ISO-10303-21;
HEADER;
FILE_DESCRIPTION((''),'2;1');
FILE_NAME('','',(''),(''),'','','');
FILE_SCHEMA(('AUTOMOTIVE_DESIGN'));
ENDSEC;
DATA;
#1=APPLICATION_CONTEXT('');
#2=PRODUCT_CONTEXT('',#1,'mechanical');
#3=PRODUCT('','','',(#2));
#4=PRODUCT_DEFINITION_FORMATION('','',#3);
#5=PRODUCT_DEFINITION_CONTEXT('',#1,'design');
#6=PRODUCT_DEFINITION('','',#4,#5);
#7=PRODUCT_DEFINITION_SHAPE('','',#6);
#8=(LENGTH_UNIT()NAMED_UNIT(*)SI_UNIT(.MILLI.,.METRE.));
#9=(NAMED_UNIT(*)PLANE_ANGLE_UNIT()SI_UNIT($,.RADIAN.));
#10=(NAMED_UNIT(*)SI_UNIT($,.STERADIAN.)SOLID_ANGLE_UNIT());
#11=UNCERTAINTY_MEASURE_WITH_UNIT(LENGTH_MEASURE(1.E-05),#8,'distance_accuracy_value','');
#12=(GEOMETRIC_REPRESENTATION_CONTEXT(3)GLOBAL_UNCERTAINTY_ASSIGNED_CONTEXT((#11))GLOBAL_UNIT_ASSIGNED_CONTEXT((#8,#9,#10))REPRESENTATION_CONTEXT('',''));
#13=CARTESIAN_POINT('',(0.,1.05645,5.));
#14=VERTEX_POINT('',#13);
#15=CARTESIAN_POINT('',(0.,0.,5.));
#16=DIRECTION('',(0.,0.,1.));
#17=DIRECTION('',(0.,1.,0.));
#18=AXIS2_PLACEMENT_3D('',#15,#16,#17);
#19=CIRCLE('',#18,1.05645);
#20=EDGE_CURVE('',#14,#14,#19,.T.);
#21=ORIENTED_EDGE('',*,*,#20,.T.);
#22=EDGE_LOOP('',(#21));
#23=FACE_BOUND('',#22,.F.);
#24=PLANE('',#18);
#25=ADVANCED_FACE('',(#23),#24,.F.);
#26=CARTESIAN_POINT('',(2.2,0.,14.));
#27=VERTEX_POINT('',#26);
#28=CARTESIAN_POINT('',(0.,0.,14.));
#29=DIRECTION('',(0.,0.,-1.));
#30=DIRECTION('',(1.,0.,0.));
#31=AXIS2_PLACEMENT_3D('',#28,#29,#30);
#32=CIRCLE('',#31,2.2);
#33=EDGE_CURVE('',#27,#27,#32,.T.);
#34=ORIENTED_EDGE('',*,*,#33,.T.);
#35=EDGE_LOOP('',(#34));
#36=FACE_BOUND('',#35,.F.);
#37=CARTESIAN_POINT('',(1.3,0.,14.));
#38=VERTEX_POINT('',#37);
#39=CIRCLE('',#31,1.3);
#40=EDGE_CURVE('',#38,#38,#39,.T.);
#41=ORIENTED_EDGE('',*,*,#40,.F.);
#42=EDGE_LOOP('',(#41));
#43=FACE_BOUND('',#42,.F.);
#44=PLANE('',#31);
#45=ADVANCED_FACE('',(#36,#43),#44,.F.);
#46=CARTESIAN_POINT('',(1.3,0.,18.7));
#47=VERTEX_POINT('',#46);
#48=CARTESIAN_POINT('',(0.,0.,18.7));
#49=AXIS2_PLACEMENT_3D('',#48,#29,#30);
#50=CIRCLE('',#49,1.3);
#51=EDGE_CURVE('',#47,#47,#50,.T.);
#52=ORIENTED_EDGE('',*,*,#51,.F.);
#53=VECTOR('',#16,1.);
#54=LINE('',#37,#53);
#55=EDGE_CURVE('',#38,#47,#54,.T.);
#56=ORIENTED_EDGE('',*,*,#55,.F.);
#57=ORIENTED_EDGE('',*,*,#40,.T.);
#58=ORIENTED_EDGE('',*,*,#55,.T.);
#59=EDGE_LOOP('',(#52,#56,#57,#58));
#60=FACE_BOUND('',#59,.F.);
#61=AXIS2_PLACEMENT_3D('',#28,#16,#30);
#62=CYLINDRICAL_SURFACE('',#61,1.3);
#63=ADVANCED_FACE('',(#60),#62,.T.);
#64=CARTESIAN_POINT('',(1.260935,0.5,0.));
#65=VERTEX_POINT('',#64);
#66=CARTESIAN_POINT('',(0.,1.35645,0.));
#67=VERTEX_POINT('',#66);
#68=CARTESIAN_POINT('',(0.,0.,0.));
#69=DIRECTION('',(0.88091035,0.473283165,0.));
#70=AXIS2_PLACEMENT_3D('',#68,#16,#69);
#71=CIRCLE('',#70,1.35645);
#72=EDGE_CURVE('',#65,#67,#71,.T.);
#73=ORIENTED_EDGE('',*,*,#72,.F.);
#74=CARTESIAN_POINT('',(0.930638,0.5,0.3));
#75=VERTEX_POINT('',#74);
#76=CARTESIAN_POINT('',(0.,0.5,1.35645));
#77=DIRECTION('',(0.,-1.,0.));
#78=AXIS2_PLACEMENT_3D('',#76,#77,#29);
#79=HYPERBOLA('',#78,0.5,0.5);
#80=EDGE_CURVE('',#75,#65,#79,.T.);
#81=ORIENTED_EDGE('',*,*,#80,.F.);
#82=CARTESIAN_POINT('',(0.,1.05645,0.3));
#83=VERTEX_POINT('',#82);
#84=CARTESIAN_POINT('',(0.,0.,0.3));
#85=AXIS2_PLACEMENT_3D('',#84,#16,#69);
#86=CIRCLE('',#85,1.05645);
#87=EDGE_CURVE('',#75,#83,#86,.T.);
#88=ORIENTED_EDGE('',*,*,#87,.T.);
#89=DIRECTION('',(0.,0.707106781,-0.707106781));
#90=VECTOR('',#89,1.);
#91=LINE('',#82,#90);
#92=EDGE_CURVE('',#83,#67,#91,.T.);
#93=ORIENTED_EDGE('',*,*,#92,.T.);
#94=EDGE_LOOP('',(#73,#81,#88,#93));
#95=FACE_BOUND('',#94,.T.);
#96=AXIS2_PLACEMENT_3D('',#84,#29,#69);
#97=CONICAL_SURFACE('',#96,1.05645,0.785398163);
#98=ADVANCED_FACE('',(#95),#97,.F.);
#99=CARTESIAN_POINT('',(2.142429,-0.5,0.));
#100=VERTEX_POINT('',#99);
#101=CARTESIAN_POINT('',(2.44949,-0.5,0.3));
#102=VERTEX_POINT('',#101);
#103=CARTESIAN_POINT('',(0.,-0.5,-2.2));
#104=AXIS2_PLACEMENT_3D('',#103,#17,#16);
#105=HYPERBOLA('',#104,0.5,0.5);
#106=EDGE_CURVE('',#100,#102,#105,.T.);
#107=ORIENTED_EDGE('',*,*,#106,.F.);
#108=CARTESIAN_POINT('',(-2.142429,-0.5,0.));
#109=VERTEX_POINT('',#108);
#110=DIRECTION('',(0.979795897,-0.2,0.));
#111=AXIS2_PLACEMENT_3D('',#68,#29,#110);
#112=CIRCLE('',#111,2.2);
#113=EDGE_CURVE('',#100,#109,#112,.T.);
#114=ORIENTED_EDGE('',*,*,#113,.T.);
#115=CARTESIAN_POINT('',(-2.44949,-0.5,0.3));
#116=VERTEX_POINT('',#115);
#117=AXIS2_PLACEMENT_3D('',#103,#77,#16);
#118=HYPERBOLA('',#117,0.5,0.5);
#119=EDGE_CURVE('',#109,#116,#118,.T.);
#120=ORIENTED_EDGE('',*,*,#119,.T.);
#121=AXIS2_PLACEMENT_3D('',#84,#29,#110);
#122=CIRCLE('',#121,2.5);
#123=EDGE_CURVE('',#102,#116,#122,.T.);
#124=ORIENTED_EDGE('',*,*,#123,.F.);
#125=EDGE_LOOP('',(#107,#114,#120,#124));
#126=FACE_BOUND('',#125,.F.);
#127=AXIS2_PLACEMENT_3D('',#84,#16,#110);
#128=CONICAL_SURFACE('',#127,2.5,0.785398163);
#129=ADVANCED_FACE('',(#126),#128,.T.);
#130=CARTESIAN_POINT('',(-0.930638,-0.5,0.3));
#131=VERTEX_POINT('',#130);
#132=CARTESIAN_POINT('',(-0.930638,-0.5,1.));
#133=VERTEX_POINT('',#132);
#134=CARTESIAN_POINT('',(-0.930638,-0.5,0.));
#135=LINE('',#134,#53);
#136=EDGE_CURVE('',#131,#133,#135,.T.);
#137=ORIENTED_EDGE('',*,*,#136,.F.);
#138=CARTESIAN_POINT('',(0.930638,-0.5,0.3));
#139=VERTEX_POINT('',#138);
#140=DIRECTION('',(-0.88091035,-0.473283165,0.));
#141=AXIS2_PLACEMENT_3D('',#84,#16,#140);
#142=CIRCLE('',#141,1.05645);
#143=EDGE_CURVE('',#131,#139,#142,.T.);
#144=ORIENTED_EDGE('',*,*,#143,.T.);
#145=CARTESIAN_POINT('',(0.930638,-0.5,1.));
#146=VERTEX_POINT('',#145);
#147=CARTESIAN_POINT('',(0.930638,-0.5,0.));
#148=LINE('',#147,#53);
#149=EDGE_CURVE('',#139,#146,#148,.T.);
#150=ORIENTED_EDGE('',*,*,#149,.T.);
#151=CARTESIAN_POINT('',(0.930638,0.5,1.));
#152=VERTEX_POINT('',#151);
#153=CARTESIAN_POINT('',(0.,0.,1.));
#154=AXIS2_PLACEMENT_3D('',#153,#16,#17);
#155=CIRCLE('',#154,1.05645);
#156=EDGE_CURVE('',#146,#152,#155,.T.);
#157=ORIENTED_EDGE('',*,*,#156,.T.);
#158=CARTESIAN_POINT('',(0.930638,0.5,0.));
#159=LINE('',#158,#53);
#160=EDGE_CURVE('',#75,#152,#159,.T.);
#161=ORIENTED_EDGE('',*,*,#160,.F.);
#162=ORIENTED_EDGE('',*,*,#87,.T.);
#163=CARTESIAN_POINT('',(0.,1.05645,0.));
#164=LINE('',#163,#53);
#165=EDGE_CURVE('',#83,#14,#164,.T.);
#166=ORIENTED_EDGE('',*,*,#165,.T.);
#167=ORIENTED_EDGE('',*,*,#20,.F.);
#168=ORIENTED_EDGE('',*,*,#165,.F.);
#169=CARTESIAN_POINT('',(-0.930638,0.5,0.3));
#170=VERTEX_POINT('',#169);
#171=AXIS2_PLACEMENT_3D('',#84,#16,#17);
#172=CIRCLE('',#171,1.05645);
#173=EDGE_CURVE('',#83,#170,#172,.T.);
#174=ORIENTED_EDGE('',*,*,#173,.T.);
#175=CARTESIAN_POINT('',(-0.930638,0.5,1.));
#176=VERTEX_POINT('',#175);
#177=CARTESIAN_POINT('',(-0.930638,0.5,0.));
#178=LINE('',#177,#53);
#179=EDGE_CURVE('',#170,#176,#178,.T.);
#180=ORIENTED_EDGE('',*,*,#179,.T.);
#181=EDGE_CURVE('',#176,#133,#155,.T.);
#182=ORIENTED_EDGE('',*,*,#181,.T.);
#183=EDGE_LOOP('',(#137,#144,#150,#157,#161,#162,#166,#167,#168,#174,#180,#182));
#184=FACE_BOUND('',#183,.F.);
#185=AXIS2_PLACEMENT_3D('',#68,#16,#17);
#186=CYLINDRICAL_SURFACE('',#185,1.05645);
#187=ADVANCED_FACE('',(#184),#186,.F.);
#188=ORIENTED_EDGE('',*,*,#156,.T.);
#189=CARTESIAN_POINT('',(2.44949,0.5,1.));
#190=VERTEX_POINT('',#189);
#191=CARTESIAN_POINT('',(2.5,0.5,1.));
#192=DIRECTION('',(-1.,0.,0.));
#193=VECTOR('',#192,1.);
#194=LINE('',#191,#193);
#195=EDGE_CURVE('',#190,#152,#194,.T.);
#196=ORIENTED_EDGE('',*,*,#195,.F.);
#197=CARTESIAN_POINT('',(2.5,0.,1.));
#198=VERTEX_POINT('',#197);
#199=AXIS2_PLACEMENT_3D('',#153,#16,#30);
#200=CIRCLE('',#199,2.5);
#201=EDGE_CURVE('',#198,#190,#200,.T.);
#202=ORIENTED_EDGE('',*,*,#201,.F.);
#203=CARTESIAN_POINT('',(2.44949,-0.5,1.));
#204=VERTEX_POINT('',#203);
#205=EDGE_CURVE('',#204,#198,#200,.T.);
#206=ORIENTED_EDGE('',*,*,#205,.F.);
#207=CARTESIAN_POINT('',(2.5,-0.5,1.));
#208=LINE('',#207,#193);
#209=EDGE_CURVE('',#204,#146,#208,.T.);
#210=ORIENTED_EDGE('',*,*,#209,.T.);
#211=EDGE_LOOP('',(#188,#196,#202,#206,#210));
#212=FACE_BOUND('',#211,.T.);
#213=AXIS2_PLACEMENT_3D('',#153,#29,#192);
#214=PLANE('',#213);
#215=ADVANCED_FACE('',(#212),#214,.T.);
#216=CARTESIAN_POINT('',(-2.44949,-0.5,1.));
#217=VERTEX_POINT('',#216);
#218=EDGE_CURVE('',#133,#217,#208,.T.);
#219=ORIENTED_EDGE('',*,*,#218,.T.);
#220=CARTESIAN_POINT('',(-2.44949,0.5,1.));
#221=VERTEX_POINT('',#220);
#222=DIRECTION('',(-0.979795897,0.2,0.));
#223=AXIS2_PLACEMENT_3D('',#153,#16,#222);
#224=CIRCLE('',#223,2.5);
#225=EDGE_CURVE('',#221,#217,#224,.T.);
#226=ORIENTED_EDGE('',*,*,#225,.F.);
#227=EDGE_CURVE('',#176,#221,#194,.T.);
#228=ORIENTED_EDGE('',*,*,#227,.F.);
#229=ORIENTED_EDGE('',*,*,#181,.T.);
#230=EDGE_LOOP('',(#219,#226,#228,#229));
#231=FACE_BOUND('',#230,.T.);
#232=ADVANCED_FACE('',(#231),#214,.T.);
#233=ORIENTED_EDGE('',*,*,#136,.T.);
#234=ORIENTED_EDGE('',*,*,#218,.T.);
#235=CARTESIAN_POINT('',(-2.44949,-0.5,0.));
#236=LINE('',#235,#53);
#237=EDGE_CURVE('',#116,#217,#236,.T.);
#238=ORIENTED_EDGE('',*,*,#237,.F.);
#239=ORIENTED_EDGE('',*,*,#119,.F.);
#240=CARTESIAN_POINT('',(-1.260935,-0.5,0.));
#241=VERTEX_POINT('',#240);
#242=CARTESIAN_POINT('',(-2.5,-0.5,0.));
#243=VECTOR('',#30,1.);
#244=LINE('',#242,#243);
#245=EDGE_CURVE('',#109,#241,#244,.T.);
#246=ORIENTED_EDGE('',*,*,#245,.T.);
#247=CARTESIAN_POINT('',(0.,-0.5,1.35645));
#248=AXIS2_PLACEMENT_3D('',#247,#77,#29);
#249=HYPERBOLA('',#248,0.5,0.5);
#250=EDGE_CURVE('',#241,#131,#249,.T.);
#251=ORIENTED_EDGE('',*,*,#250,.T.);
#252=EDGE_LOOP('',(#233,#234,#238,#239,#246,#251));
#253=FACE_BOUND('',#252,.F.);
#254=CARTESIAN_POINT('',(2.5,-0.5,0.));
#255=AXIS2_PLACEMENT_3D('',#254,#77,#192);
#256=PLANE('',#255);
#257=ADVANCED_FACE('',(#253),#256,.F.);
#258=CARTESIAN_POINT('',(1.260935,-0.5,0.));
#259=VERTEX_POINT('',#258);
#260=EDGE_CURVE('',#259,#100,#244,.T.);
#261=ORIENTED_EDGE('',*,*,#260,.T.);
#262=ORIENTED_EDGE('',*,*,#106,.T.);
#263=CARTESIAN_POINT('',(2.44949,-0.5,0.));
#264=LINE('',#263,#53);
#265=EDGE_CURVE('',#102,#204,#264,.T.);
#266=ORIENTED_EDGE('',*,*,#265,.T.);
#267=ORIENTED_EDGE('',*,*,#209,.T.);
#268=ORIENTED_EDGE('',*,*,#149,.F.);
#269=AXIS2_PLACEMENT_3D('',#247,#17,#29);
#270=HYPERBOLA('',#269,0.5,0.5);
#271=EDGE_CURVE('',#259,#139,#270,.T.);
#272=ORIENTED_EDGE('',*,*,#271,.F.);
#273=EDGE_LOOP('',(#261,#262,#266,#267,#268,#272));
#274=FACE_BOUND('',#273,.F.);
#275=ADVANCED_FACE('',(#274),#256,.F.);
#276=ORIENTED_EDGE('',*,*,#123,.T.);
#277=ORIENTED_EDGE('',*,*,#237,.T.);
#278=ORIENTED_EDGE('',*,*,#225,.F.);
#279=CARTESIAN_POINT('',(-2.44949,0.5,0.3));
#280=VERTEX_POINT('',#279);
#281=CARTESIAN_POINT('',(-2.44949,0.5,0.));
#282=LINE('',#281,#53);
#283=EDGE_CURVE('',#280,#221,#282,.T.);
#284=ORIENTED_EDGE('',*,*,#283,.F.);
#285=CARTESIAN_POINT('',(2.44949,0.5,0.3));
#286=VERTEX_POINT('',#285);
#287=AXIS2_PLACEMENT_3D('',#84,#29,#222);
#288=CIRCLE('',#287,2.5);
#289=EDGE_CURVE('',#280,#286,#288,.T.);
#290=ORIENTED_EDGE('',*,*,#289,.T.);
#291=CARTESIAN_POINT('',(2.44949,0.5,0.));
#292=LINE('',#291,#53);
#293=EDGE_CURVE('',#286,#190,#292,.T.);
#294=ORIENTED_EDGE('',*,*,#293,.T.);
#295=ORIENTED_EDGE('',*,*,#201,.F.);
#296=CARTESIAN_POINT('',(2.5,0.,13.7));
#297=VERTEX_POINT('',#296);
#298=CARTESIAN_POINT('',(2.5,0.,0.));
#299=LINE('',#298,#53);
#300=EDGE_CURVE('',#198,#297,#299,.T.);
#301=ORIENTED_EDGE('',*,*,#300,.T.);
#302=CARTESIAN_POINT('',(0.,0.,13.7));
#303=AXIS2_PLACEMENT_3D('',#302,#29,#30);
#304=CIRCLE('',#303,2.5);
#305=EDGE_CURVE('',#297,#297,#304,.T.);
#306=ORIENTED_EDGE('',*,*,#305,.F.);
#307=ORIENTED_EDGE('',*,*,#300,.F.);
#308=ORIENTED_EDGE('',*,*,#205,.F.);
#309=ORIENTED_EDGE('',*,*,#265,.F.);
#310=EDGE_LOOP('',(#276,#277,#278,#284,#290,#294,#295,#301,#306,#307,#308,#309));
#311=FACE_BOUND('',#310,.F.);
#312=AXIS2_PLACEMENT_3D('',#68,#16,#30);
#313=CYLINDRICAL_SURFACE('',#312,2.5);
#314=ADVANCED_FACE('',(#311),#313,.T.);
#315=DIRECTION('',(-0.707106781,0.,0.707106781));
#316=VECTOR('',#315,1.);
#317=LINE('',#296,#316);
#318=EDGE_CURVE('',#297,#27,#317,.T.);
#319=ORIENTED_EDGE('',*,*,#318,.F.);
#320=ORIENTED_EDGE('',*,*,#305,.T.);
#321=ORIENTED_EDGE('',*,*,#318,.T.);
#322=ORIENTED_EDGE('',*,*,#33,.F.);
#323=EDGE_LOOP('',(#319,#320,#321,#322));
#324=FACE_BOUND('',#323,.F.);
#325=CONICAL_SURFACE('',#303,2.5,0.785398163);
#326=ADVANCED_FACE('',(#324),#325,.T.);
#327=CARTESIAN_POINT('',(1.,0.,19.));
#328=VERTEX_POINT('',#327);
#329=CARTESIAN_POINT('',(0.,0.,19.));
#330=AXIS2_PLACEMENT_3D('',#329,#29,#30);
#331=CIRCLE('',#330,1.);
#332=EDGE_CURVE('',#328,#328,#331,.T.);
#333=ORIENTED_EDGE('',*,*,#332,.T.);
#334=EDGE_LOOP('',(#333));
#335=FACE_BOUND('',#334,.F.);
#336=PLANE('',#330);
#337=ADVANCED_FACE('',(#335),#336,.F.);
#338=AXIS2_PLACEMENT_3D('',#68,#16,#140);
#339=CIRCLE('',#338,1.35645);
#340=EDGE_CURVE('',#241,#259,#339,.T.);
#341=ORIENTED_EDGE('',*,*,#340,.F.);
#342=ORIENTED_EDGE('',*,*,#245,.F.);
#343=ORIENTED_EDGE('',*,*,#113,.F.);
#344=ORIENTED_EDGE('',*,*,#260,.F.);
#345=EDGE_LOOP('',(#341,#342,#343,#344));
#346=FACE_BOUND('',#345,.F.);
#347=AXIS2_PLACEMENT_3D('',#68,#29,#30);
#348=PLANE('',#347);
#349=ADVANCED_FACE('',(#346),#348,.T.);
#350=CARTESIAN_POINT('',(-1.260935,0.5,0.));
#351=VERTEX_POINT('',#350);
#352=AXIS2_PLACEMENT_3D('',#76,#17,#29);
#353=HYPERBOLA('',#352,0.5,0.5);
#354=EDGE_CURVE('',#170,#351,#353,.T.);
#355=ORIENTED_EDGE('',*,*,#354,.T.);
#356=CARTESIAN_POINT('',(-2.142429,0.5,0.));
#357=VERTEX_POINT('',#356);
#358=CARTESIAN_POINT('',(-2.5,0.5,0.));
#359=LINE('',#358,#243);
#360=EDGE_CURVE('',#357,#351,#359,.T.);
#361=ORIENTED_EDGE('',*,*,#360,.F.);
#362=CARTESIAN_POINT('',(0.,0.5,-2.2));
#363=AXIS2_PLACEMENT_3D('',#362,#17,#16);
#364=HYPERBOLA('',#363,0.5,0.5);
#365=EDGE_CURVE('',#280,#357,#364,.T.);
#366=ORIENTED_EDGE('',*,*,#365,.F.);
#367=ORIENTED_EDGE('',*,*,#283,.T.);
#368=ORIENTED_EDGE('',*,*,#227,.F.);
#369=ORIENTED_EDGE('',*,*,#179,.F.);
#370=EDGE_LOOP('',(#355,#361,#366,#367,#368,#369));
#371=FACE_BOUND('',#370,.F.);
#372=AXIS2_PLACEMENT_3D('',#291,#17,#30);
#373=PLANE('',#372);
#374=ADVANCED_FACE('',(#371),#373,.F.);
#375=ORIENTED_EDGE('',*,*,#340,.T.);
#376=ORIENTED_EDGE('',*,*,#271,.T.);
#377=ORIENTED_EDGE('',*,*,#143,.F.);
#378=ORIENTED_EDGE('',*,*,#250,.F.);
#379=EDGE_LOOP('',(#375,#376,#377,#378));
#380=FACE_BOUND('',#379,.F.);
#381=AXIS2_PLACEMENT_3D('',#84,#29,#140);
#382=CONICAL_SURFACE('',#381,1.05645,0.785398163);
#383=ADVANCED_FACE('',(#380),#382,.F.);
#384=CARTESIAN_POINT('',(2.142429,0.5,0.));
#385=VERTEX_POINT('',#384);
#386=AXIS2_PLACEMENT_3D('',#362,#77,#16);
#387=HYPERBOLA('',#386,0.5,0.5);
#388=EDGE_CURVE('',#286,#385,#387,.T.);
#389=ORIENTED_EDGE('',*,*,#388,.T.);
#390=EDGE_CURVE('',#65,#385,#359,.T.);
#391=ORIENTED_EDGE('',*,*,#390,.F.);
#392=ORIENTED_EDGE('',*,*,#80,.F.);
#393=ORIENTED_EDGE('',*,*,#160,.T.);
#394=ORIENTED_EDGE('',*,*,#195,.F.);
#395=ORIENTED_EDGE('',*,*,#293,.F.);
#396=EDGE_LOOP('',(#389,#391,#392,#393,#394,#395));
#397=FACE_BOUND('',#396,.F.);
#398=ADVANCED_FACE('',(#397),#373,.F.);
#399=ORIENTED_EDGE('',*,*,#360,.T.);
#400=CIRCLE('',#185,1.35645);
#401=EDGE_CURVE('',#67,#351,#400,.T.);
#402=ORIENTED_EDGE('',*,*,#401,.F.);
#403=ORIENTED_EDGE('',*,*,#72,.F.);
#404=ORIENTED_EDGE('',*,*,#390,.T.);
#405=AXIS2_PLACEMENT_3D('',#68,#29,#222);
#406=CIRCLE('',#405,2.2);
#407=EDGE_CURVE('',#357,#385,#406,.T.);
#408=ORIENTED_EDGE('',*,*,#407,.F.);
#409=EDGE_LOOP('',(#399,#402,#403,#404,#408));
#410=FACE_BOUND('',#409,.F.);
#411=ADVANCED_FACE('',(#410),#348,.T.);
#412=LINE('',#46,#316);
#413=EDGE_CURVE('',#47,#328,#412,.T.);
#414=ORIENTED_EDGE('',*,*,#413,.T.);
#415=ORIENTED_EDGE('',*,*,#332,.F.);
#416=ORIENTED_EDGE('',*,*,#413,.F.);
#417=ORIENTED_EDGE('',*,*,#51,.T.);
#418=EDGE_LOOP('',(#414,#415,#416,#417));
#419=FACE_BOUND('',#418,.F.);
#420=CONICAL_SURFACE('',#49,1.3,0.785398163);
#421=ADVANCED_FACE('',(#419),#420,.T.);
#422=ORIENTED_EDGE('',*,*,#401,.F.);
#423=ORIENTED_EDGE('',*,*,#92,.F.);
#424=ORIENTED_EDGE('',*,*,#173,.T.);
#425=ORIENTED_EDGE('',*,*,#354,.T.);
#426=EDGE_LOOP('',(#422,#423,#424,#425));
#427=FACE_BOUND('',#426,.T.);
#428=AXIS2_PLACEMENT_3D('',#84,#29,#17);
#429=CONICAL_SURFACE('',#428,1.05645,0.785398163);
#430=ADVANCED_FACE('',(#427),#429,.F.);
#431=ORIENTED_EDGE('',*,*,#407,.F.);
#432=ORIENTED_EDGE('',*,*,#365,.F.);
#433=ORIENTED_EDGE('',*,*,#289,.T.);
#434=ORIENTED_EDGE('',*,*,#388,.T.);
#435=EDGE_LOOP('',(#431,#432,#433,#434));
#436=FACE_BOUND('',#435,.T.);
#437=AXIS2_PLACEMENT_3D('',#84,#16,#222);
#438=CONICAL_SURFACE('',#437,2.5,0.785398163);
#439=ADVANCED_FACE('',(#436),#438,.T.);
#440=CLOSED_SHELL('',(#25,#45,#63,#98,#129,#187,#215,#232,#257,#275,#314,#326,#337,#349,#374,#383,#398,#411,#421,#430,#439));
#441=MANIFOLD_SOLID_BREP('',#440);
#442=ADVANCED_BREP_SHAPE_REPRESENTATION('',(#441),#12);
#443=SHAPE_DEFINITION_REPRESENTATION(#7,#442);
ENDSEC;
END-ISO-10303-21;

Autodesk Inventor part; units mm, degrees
ref_plane "YZ Plane" through (0, 0, 0) normal (1, 0, 0) x (0, 1, 0)
ref_plane "XZ Plane" through (0, 0, 0) normal (0, 1, 0) x (-1, 0, 0)
ref_plane "XY Plane" through (0, 0, 0) normal (0, 0, 1) x (1, 0, 0)
sketch "Sketch1" plane through (0, 0, 0) normal (0, 1, 0) x (-1, 0, 0)
  line L0 (0, 0) -> (-2.5, 0)
  line L1 (-2.5, 0) -> (-2.5, 14)
  line L2 (-2.5, 14) -> (-1.3, 14)
  line L3 (-1.3, 14) -> (-1.3, 19)
  line L4 (-1.3, 19) -> (0, 19)
  line L5 (0, 19) -> (0, 0)
  dimension "d1" = 5
  dimension "d2" = 14
  dimension "d3" = 2.6
  dimension "d4" = 5
revolve "Revolution1" add sketch "Sketch1" angle 360 about axis through (0, 0, 19) along (0, 0, -1)
sketch "Sketch2" plane through (0, 0, 0) normal (0, 0, -1) x (-1, 0, 0)
  line L0 (-2.5, -0.5) -> (2.5, -0.5)
  line L1 (2.5, -0.5) -> (2.5, 0.5)
  line L2 (2.5, 0.5) -> (-2.5, 0.5)
  line L3 (-2.5, 0.5) -> (-2.5, -0.5)
  line L4 (-2.5, -0.5) -> (2.5, 0.5) construction
  line L5 (2.5, -0.5) -> (-2.5, 0.5) construction
  circle A0 centre (0, 0) radius 2.5 projected
  dimension "d6" = 1
extrude "Extrusion1" cut sketch "Sketch2" against normal blind 1 contours L3 A0 L0 | A0 L2 L0 | L3 L2 A0 | A0 L1 L0 | A0 L2 L1
hole "Hole1" at (0, 0, 0) direction (0, 0, 1) diameter 2.1129 depth 5 thread size "M2.6x0.45" class "6H" standard "ANSI Metric M Profile"
thread "Thread1" size "M2.6x0.45" class "6g" standard "ANSI Metric M Profile" full length
chamfer "Chamfer1" distance 0.3 angle 45 7 edges at (-2.5, 0, 14) (0, 2.5, 0) (0, -2.5, 0) (0, -1.0564, 0) (-0.5421, 0.9067, 0) (0.5421, 0.9067, 0) (-1.3, 0, 19)
properties part number "BRU-2614S" material "Stainless Steel AISI 304"
